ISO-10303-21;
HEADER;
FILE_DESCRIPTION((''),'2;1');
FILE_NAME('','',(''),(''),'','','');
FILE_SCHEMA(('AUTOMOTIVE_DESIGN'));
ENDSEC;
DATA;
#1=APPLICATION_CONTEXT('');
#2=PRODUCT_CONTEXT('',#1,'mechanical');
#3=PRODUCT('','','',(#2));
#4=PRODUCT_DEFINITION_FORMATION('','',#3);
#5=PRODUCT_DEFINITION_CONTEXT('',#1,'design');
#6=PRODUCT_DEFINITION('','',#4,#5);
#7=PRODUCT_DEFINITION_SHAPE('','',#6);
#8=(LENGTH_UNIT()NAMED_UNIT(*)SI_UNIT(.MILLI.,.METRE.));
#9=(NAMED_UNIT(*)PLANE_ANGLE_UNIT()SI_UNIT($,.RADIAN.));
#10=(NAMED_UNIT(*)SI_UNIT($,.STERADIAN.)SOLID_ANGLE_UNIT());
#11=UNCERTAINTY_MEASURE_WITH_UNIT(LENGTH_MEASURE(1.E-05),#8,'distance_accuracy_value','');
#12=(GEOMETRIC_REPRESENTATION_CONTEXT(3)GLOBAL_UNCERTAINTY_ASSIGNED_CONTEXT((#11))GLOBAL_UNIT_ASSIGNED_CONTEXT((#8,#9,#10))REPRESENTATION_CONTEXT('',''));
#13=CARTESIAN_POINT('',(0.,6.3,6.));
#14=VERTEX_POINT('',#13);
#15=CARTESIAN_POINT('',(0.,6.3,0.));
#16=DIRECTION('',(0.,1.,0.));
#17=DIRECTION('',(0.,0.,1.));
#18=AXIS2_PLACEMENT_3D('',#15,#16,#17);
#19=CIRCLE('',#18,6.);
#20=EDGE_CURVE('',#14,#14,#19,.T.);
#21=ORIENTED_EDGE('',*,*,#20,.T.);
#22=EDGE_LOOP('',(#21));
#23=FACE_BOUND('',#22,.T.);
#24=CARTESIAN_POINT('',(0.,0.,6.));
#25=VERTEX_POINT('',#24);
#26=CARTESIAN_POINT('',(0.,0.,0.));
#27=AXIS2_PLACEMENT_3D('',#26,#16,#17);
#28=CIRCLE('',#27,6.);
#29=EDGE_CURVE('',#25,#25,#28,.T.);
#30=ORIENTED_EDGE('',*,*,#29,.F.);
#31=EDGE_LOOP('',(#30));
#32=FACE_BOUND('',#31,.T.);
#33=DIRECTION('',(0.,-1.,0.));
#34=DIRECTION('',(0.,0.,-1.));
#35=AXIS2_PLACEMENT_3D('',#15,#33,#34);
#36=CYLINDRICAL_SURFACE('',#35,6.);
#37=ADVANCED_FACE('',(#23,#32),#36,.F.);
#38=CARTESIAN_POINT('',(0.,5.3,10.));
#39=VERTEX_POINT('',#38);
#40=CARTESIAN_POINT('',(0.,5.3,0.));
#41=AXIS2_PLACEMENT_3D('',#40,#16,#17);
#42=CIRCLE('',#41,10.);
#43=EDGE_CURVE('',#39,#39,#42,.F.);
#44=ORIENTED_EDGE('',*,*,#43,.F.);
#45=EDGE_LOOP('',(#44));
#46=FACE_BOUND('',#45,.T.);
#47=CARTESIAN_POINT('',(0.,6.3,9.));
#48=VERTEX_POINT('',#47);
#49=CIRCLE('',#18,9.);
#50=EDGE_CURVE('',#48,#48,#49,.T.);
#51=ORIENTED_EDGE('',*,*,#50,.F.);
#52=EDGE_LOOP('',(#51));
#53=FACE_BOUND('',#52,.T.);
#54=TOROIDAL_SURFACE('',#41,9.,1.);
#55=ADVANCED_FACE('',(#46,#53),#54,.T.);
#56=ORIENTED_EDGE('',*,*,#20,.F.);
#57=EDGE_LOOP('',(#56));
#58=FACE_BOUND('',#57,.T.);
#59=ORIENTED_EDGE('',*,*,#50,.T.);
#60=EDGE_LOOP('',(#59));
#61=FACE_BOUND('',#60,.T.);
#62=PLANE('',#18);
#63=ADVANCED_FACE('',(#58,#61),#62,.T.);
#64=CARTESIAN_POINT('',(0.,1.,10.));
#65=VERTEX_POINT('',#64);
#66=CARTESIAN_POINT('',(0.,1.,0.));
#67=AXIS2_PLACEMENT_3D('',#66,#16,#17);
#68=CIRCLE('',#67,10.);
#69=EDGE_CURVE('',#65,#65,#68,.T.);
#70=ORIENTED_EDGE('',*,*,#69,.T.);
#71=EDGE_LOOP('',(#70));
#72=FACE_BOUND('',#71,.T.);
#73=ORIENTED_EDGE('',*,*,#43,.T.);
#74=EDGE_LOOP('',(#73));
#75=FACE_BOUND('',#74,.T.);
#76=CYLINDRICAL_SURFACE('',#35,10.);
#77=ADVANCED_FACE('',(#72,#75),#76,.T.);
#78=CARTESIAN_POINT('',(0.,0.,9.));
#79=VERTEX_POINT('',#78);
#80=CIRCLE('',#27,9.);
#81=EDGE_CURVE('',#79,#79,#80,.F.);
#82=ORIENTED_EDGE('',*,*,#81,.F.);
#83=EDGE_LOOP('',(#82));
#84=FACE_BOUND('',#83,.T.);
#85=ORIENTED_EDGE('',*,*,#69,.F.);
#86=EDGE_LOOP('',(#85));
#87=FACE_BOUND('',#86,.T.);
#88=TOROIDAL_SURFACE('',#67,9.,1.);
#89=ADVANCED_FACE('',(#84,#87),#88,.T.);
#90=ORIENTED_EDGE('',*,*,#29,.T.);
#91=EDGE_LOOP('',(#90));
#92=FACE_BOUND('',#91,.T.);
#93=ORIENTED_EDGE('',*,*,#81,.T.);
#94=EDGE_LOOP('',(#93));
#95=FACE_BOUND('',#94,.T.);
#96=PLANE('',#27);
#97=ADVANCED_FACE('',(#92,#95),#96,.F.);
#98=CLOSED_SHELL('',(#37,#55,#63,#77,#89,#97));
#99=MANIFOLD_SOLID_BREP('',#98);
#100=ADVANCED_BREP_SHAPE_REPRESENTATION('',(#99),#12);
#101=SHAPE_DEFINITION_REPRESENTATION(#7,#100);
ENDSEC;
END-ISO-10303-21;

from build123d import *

# Parameters (mm, degrees)
SKETCH1_R           = 10
SKETCH1_R_2         = 6
BOSS_EXTRUDE1_DEPTH = 6.3
FILLET1_R           = 1


with BuildPart() as part:
    # Sketch1 → Boss-Extrude1 (new body)
    with BuildSketch(Plane(origin=(0, 0, 0), x_dir=(1, 0, 0), z_dir=(0, 1, 0))):
        Circle(SKETCH1_R)
        Circle(SKETCH1_R_2, mode=Mode.SUBTRACT)
    extrude(amount=BOSS_EXTRUDE1_DEPTH)

    # Fillet1
    fillet1_edges = [part.edges().sort_by_distance(p)[0] for p in [
        (-10, 0, 0),
        (-10, 6.3, 0),
    ]]
    fillet(fillet1_edges, radius=FILLET1_R)


solid = part.part
